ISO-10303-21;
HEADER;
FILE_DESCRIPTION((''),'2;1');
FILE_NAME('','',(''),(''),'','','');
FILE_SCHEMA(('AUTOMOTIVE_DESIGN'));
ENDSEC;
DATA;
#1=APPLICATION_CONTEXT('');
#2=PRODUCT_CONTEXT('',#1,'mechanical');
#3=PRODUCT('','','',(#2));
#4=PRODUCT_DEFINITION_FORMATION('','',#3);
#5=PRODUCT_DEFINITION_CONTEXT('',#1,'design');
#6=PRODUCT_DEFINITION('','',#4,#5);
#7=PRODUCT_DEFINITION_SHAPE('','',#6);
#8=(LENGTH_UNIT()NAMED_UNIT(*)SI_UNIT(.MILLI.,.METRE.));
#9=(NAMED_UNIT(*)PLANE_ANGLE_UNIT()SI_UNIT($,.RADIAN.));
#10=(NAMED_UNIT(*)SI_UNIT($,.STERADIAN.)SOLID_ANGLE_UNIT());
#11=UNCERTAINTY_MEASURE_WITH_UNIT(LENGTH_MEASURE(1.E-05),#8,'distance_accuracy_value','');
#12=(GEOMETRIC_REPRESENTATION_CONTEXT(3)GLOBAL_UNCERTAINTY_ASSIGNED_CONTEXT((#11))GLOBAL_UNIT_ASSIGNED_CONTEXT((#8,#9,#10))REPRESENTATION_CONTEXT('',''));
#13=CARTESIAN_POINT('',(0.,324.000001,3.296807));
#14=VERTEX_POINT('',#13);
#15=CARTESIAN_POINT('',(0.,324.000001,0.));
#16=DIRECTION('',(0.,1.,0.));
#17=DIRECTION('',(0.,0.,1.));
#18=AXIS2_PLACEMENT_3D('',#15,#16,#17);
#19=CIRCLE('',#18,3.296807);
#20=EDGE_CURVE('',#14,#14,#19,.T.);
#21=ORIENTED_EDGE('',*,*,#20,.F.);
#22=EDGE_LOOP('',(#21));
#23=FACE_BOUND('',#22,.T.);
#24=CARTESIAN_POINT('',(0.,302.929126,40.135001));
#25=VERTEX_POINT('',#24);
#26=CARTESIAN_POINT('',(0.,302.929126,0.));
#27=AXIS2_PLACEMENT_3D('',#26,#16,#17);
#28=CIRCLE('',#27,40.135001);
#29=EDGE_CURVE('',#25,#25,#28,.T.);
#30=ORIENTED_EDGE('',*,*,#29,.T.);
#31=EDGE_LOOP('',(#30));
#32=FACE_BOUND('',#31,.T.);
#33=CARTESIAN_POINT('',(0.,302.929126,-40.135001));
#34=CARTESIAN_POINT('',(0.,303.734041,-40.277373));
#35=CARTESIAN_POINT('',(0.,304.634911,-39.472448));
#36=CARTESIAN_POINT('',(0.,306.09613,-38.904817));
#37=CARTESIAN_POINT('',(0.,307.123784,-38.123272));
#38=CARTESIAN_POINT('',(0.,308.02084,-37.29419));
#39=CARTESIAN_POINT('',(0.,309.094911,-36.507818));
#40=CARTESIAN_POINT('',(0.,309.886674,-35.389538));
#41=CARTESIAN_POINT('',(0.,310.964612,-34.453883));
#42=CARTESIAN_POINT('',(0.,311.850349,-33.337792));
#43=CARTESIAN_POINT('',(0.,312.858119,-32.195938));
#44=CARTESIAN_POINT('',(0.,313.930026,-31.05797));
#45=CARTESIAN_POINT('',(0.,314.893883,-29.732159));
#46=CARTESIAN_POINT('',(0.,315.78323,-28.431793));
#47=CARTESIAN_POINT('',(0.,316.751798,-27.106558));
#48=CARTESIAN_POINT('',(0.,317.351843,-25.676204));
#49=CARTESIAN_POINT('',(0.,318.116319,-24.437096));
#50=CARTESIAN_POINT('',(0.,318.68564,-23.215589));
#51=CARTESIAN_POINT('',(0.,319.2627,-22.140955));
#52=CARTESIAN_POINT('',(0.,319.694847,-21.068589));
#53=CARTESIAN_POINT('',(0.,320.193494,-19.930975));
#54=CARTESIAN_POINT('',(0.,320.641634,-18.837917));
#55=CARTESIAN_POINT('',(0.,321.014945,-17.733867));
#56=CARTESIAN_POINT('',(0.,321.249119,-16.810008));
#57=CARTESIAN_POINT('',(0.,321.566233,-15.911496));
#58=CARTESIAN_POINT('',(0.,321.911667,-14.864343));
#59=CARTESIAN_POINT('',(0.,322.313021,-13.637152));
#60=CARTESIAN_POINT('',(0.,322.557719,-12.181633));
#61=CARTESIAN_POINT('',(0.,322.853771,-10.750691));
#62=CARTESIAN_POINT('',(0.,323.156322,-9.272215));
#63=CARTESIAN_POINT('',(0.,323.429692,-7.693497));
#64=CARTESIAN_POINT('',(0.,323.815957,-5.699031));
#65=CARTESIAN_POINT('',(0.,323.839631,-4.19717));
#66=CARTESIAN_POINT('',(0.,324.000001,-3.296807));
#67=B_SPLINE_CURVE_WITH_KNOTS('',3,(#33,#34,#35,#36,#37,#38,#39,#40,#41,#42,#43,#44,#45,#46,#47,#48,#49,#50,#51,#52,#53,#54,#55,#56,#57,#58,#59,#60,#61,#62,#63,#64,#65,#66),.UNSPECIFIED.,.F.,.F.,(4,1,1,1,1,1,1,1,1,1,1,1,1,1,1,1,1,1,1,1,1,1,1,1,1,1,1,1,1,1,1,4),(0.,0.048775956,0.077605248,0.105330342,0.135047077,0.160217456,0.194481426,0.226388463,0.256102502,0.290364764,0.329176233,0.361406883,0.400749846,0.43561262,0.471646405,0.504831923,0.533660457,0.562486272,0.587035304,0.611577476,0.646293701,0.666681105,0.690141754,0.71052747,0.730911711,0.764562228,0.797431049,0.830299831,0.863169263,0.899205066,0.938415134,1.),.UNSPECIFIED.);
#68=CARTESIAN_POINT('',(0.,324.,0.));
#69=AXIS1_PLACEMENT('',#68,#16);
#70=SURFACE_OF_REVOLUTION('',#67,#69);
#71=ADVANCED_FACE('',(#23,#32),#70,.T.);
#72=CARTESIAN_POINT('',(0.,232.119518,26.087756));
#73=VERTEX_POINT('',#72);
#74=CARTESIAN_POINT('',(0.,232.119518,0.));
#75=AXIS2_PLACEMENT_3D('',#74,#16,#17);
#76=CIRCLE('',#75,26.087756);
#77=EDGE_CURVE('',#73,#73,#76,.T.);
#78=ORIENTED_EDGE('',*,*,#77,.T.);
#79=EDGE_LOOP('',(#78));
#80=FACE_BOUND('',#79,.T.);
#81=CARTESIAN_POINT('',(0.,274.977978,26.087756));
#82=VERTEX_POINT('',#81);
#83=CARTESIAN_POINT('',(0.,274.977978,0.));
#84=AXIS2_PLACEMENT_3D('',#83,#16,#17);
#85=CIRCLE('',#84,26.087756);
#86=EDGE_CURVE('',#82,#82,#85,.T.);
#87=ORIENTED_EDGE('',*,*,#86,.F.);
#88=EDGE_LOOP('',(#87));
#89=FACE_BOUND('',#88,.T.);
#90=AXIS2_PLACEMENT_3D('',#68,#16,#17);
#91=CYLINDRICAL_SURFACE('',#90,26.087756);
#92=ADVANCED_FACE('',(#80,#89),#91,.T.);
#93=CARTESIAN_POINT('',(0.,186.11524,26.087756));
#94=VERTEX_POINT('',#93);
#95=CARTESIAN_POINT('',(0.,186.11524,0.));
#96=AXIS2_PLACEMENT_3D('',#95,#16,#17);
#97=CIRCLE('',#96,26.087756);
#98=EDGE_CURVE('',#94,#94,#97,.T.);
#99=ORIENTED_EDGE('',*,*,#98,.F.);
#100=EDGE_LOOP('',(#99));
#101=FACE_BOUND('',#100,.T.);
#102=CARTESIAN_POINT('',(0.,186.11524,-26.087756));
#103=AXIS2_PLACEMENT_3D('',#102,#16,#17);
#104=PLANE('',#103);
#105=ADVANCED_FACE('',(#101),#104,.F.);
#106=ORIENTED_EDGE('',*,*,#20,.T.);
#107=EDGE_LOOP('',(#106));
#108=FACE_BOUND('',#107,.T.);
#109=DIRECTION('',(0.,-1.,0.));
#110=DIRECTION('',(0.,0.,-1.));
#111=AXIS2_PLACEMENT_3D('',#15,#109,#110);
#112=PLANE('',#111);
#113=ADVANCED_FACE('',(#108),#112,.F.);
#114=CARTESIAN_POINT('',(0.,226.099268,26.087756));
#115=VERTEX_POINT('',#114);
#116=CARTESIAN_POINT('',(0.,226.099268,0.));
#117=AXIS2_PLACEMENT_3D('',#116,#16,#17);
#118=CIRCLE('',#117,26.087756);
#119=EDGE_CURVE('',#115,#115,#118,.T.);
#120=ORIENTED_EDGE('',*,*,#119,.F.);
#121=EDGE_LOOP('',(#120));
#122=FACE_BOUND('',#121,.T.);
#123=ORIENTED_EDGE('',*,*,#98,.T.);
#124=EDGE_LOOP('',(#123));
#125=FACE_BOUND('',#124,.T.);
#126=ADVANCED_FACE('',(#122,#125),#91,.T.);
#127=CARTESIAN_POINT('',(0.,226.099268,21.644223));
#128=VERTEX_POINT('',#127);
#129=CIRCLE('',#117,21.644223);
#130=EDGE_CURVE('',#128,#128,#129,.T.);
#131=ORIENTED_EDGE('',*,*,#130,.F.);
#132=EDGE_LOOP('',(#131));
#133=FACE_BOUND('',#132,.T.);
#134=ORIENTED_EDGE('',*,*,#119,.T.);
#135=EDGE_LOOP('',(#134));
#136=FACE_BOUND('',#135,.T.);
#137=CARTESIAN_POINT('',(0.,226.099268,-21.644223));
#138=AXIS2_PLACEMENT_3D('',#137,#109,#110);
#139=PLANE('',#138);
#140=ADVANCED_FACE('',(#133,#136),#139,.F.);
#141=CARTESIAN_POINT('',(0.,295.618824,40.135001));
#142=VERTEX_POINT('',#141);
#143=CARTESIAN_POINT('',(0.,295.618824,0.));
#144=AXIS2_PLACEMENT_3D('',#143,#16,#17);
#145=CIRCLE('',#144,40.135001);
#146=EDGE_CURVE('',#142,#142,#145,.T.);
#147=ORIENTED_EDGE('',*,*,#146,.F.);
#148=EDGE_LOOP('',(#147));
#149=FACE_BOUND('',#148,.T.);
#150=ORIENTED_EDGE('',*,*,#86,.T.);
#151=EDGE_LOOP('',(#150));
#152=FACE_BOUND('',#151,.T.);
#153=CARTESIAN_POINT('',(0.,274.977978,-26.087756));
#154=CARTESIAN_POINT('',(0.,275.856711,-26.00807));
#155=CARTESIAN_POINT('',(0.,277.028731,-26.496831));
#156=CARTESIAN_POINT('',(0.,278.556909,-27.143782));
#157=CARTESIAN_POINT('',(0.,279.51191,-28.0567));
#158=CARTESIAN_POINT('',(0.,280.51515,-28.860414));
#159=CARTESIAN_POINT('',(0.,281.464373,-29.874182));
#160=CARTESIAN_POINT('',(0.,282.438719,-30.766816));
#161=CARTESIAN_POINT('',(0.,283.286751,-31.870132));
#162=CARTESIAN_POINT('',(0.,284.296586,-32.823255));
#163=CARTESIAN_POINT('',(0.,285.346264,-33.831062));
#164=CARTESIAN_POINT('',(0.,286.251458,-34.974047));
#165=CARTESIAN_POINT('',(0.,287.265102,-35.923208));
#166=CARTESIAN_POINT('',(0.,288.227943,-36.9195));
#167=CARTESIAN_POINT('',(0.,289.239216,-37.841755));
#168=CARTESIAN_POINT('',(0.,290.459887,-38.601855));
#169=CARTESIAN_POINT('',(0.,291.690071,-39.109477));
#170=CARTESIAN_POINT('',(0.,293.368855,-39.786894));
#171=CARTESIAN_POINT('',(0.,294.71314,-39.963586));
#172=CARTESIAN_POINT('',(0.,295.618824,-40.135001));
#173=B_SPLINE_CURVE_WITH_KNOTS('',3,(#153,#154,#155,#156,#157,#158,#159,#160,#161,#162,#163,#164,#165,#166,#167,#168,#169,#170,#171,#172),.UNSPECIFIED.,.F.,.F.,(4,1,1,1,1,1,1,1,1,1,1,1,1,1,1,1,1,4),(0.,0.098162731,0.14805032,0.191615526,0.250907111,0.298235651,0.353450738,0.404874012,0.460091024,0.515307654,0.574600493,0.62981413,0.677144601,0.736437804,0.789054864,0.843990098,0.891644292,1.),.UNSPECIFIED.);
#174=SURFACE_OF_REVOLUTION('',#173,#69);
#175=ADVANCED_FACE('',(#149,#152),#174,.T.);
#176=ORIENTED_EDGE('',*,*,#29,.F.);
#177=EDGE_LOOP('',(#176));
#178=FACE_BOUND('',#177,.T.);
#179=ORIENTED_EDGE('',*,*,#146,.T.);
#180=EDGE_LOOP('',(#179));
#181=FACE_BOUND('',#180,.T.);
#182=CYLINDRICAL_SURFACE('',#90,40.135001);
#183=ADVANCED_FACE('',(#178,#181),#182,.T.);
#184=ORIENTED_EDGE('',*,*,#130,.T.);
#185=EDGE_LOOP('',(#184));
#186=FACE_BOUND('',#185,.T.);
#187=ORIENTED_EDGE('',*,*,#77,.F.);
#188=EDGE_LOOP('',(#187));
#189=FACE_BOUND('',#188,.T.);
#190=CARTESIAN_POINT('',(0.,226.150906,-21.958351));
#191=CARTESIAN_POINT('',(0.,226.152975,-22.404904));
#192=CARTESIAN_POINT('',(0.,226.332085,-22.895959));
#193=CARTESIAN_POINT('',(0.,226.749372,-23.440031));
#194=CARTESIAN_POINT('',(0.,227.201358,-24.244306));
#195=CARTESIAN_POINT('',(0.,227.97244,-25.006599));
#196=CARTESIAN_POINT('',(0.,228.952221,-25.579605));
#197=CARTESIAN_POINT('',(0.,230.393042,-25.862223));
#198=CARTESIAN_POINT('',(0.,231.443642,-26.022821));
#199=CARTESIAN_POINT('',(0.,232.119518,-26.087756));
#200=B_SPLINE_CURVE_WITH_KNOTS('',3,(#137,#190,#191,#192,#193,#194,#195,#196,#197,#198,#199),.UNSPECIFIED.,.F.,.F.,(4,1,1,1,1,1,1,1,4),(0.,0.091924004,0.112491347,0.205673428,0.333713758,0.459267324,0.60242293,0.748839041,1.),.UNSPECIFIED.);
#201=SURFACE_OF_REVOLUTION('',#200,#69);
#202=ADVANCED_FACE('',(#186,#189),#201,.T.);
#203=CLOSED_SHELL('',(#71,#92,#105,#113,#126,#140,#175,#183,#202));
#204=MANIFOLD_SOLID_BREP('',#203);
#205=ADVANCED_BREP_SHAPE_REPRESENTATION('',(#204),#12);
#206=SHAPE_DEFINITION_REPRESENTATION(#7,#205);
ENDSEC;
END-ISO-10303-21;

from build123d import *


with BuildPart() as part:
    # Sketch1 → Revolve5 (revolve)
    with BuildSketch(Plane(origin=(0, 0, 0), x_dir=(0, 0, -1), z_dir=(1, 0, 0)), mode=Mode.PRIVATE) as revolve5_sk:
        with BuildLine():
            Line((26.0877562, 274.977978152), (26.0877562, 232.119517882))
            add(Edge.make_bspline(
                [(21.644222638, 226.099267925), (21.958350781, 226.150905548), (22.404904398, 226.152975164), (22.895958822, 226.332084554), (23.440030786, 226.749372055), (24.24430563, 227.201358343), (25.006598671, 227.972439803), (25.579605023, 228.952220985), (25.862222604, 230.393042058), (26.02282064, 231.443642052), (26.0877562, 232.119517882)],
                knots=[0, 0, 0, 0, 0.091924004, 0.112491347, 0.205673428, 0.333713758, 0.459267324, 0.60242293, 0.748839041, 1, 1, 1, 1], degree=3))
            Line((21.644222638, 226.099267925), (26.0877562, 226.099267925))
            Line((26.0877562, 226.099267925), (26.0877562, 186.115239509))
            Line((26.0877562, 186.115239509), (0, 186.115239509))
            Line((0, 186.115239509), (0, 324))
            Line((0, 324), (3.296807109, 324.000001326))
            add(Edge.make_bspline(
                [(3.296807109, 324.000001326), (4.197169533, 323.839631011), (5.699030772, 323.815957427), (7.693496909, 323.429691693), (9.272215479, 323.156322342), (10.750690756, 322.85377071), (12.181632664, 322.557718535), (13.637151846, 322.313021034), (14.864343001, 321.911666772), (15.911496119, 321.566233217), (16.810008215, 321.249118961), (17.733867067, 321.014944924), (18.837916963, 320.64163427), (19.930975123, 320.193493737), (21.068588771, 319.694847201), (22.140955467, 319.262699902), (23.215588995, 318.685639732), (24.437095613, 318.116319481), (25.676203543, 317.35184267), (27.106557761, 316.751797909), (28.431792952, 315.783230305), (29.732159344, 314.893883423), (31.057969832, 313.930025749), (32.195938479, 312.858119022), (33.337791918, 311.850348536), (34.453883476, 310.964611829), (35.389537529, 309.886673636), (36.507817894, 309.094911082), (37.294189805, 308.020839774), (38.123272117, 307.123784158), (38.90481731, 306.096129676), (39.472447784, 304.634911321), (40.277373116, 303.734041187), (40.135001067, 302.929125624)],
                knots=[0, 0, 0, 0, 0.061584866, 0.100794934, 0.136830737, 0.169700169, 0.202568951, 0.235437772, 0.269088289, 0.28947253, 0.309858246, 0.333318895, 0.353706299, 0.388422524, 0.412964696, 0.437513728, 0.466339543, 0.495168077, 0.528353595, 0.56438738, 0.599250154, 0.638593117, 0.670823767, 0.709635236, 0.743897498, 0.773611537, 0.805518574, 0.839782544, 0.864952923, 0.894669658, 0.922394752, 0.951224044, 1, 1, 1, 1], degree=3))
            Line((40.135001067, 302.929125624), (40.135001067, 295.618823674))
            add(Edge.make_bspline(
                [(40.135001067, 295.618823674), (39.963585575, 294.713139617), (39.786893551, 293.368854611), (39.10947692, 291.690071062), (38.601855291, 290.459886772), (37.841755018, 289.239215664), (36.919500435, 288.227943295), (35.923208467, 287.26510185), (34.974047306, 286.251458489), (33.831062374, 285.346264323), (32.823255368, 284.296585872), (31.870131948, 283.286750944), (30.766815667, 282.438718878), (29.874182206, 281.464372876), (28.860414421, 280.515150439), (28.056699811, 279.511909602), (27.143781617, 278.556908896), (26.496830662, 277.02873066), (26.008069584, 275.856710536), (26.0877562, 274.977978152)],
                knots=[0, 0, 0, 0, 0.108355708, 0.156009902, 0.210945136, 0.263562196, 0.322855399, 0.37018587, 0.425399507, 0.484692346, 0.539908976, 0.595125988, 0.646549262, 0.701764349, 0.749092889, 0.808384474, 0.85194968, 0.901837269, 1, 1, 1, 1], degree=3))
        make_face()
    revolve(revolve5_sk.sketch.rotate(Axis((0, 324, 0), (0, -1, 0)), 180), axis=Axis((0, 324, 0), (0, -1, 0)))


solid = part.part
